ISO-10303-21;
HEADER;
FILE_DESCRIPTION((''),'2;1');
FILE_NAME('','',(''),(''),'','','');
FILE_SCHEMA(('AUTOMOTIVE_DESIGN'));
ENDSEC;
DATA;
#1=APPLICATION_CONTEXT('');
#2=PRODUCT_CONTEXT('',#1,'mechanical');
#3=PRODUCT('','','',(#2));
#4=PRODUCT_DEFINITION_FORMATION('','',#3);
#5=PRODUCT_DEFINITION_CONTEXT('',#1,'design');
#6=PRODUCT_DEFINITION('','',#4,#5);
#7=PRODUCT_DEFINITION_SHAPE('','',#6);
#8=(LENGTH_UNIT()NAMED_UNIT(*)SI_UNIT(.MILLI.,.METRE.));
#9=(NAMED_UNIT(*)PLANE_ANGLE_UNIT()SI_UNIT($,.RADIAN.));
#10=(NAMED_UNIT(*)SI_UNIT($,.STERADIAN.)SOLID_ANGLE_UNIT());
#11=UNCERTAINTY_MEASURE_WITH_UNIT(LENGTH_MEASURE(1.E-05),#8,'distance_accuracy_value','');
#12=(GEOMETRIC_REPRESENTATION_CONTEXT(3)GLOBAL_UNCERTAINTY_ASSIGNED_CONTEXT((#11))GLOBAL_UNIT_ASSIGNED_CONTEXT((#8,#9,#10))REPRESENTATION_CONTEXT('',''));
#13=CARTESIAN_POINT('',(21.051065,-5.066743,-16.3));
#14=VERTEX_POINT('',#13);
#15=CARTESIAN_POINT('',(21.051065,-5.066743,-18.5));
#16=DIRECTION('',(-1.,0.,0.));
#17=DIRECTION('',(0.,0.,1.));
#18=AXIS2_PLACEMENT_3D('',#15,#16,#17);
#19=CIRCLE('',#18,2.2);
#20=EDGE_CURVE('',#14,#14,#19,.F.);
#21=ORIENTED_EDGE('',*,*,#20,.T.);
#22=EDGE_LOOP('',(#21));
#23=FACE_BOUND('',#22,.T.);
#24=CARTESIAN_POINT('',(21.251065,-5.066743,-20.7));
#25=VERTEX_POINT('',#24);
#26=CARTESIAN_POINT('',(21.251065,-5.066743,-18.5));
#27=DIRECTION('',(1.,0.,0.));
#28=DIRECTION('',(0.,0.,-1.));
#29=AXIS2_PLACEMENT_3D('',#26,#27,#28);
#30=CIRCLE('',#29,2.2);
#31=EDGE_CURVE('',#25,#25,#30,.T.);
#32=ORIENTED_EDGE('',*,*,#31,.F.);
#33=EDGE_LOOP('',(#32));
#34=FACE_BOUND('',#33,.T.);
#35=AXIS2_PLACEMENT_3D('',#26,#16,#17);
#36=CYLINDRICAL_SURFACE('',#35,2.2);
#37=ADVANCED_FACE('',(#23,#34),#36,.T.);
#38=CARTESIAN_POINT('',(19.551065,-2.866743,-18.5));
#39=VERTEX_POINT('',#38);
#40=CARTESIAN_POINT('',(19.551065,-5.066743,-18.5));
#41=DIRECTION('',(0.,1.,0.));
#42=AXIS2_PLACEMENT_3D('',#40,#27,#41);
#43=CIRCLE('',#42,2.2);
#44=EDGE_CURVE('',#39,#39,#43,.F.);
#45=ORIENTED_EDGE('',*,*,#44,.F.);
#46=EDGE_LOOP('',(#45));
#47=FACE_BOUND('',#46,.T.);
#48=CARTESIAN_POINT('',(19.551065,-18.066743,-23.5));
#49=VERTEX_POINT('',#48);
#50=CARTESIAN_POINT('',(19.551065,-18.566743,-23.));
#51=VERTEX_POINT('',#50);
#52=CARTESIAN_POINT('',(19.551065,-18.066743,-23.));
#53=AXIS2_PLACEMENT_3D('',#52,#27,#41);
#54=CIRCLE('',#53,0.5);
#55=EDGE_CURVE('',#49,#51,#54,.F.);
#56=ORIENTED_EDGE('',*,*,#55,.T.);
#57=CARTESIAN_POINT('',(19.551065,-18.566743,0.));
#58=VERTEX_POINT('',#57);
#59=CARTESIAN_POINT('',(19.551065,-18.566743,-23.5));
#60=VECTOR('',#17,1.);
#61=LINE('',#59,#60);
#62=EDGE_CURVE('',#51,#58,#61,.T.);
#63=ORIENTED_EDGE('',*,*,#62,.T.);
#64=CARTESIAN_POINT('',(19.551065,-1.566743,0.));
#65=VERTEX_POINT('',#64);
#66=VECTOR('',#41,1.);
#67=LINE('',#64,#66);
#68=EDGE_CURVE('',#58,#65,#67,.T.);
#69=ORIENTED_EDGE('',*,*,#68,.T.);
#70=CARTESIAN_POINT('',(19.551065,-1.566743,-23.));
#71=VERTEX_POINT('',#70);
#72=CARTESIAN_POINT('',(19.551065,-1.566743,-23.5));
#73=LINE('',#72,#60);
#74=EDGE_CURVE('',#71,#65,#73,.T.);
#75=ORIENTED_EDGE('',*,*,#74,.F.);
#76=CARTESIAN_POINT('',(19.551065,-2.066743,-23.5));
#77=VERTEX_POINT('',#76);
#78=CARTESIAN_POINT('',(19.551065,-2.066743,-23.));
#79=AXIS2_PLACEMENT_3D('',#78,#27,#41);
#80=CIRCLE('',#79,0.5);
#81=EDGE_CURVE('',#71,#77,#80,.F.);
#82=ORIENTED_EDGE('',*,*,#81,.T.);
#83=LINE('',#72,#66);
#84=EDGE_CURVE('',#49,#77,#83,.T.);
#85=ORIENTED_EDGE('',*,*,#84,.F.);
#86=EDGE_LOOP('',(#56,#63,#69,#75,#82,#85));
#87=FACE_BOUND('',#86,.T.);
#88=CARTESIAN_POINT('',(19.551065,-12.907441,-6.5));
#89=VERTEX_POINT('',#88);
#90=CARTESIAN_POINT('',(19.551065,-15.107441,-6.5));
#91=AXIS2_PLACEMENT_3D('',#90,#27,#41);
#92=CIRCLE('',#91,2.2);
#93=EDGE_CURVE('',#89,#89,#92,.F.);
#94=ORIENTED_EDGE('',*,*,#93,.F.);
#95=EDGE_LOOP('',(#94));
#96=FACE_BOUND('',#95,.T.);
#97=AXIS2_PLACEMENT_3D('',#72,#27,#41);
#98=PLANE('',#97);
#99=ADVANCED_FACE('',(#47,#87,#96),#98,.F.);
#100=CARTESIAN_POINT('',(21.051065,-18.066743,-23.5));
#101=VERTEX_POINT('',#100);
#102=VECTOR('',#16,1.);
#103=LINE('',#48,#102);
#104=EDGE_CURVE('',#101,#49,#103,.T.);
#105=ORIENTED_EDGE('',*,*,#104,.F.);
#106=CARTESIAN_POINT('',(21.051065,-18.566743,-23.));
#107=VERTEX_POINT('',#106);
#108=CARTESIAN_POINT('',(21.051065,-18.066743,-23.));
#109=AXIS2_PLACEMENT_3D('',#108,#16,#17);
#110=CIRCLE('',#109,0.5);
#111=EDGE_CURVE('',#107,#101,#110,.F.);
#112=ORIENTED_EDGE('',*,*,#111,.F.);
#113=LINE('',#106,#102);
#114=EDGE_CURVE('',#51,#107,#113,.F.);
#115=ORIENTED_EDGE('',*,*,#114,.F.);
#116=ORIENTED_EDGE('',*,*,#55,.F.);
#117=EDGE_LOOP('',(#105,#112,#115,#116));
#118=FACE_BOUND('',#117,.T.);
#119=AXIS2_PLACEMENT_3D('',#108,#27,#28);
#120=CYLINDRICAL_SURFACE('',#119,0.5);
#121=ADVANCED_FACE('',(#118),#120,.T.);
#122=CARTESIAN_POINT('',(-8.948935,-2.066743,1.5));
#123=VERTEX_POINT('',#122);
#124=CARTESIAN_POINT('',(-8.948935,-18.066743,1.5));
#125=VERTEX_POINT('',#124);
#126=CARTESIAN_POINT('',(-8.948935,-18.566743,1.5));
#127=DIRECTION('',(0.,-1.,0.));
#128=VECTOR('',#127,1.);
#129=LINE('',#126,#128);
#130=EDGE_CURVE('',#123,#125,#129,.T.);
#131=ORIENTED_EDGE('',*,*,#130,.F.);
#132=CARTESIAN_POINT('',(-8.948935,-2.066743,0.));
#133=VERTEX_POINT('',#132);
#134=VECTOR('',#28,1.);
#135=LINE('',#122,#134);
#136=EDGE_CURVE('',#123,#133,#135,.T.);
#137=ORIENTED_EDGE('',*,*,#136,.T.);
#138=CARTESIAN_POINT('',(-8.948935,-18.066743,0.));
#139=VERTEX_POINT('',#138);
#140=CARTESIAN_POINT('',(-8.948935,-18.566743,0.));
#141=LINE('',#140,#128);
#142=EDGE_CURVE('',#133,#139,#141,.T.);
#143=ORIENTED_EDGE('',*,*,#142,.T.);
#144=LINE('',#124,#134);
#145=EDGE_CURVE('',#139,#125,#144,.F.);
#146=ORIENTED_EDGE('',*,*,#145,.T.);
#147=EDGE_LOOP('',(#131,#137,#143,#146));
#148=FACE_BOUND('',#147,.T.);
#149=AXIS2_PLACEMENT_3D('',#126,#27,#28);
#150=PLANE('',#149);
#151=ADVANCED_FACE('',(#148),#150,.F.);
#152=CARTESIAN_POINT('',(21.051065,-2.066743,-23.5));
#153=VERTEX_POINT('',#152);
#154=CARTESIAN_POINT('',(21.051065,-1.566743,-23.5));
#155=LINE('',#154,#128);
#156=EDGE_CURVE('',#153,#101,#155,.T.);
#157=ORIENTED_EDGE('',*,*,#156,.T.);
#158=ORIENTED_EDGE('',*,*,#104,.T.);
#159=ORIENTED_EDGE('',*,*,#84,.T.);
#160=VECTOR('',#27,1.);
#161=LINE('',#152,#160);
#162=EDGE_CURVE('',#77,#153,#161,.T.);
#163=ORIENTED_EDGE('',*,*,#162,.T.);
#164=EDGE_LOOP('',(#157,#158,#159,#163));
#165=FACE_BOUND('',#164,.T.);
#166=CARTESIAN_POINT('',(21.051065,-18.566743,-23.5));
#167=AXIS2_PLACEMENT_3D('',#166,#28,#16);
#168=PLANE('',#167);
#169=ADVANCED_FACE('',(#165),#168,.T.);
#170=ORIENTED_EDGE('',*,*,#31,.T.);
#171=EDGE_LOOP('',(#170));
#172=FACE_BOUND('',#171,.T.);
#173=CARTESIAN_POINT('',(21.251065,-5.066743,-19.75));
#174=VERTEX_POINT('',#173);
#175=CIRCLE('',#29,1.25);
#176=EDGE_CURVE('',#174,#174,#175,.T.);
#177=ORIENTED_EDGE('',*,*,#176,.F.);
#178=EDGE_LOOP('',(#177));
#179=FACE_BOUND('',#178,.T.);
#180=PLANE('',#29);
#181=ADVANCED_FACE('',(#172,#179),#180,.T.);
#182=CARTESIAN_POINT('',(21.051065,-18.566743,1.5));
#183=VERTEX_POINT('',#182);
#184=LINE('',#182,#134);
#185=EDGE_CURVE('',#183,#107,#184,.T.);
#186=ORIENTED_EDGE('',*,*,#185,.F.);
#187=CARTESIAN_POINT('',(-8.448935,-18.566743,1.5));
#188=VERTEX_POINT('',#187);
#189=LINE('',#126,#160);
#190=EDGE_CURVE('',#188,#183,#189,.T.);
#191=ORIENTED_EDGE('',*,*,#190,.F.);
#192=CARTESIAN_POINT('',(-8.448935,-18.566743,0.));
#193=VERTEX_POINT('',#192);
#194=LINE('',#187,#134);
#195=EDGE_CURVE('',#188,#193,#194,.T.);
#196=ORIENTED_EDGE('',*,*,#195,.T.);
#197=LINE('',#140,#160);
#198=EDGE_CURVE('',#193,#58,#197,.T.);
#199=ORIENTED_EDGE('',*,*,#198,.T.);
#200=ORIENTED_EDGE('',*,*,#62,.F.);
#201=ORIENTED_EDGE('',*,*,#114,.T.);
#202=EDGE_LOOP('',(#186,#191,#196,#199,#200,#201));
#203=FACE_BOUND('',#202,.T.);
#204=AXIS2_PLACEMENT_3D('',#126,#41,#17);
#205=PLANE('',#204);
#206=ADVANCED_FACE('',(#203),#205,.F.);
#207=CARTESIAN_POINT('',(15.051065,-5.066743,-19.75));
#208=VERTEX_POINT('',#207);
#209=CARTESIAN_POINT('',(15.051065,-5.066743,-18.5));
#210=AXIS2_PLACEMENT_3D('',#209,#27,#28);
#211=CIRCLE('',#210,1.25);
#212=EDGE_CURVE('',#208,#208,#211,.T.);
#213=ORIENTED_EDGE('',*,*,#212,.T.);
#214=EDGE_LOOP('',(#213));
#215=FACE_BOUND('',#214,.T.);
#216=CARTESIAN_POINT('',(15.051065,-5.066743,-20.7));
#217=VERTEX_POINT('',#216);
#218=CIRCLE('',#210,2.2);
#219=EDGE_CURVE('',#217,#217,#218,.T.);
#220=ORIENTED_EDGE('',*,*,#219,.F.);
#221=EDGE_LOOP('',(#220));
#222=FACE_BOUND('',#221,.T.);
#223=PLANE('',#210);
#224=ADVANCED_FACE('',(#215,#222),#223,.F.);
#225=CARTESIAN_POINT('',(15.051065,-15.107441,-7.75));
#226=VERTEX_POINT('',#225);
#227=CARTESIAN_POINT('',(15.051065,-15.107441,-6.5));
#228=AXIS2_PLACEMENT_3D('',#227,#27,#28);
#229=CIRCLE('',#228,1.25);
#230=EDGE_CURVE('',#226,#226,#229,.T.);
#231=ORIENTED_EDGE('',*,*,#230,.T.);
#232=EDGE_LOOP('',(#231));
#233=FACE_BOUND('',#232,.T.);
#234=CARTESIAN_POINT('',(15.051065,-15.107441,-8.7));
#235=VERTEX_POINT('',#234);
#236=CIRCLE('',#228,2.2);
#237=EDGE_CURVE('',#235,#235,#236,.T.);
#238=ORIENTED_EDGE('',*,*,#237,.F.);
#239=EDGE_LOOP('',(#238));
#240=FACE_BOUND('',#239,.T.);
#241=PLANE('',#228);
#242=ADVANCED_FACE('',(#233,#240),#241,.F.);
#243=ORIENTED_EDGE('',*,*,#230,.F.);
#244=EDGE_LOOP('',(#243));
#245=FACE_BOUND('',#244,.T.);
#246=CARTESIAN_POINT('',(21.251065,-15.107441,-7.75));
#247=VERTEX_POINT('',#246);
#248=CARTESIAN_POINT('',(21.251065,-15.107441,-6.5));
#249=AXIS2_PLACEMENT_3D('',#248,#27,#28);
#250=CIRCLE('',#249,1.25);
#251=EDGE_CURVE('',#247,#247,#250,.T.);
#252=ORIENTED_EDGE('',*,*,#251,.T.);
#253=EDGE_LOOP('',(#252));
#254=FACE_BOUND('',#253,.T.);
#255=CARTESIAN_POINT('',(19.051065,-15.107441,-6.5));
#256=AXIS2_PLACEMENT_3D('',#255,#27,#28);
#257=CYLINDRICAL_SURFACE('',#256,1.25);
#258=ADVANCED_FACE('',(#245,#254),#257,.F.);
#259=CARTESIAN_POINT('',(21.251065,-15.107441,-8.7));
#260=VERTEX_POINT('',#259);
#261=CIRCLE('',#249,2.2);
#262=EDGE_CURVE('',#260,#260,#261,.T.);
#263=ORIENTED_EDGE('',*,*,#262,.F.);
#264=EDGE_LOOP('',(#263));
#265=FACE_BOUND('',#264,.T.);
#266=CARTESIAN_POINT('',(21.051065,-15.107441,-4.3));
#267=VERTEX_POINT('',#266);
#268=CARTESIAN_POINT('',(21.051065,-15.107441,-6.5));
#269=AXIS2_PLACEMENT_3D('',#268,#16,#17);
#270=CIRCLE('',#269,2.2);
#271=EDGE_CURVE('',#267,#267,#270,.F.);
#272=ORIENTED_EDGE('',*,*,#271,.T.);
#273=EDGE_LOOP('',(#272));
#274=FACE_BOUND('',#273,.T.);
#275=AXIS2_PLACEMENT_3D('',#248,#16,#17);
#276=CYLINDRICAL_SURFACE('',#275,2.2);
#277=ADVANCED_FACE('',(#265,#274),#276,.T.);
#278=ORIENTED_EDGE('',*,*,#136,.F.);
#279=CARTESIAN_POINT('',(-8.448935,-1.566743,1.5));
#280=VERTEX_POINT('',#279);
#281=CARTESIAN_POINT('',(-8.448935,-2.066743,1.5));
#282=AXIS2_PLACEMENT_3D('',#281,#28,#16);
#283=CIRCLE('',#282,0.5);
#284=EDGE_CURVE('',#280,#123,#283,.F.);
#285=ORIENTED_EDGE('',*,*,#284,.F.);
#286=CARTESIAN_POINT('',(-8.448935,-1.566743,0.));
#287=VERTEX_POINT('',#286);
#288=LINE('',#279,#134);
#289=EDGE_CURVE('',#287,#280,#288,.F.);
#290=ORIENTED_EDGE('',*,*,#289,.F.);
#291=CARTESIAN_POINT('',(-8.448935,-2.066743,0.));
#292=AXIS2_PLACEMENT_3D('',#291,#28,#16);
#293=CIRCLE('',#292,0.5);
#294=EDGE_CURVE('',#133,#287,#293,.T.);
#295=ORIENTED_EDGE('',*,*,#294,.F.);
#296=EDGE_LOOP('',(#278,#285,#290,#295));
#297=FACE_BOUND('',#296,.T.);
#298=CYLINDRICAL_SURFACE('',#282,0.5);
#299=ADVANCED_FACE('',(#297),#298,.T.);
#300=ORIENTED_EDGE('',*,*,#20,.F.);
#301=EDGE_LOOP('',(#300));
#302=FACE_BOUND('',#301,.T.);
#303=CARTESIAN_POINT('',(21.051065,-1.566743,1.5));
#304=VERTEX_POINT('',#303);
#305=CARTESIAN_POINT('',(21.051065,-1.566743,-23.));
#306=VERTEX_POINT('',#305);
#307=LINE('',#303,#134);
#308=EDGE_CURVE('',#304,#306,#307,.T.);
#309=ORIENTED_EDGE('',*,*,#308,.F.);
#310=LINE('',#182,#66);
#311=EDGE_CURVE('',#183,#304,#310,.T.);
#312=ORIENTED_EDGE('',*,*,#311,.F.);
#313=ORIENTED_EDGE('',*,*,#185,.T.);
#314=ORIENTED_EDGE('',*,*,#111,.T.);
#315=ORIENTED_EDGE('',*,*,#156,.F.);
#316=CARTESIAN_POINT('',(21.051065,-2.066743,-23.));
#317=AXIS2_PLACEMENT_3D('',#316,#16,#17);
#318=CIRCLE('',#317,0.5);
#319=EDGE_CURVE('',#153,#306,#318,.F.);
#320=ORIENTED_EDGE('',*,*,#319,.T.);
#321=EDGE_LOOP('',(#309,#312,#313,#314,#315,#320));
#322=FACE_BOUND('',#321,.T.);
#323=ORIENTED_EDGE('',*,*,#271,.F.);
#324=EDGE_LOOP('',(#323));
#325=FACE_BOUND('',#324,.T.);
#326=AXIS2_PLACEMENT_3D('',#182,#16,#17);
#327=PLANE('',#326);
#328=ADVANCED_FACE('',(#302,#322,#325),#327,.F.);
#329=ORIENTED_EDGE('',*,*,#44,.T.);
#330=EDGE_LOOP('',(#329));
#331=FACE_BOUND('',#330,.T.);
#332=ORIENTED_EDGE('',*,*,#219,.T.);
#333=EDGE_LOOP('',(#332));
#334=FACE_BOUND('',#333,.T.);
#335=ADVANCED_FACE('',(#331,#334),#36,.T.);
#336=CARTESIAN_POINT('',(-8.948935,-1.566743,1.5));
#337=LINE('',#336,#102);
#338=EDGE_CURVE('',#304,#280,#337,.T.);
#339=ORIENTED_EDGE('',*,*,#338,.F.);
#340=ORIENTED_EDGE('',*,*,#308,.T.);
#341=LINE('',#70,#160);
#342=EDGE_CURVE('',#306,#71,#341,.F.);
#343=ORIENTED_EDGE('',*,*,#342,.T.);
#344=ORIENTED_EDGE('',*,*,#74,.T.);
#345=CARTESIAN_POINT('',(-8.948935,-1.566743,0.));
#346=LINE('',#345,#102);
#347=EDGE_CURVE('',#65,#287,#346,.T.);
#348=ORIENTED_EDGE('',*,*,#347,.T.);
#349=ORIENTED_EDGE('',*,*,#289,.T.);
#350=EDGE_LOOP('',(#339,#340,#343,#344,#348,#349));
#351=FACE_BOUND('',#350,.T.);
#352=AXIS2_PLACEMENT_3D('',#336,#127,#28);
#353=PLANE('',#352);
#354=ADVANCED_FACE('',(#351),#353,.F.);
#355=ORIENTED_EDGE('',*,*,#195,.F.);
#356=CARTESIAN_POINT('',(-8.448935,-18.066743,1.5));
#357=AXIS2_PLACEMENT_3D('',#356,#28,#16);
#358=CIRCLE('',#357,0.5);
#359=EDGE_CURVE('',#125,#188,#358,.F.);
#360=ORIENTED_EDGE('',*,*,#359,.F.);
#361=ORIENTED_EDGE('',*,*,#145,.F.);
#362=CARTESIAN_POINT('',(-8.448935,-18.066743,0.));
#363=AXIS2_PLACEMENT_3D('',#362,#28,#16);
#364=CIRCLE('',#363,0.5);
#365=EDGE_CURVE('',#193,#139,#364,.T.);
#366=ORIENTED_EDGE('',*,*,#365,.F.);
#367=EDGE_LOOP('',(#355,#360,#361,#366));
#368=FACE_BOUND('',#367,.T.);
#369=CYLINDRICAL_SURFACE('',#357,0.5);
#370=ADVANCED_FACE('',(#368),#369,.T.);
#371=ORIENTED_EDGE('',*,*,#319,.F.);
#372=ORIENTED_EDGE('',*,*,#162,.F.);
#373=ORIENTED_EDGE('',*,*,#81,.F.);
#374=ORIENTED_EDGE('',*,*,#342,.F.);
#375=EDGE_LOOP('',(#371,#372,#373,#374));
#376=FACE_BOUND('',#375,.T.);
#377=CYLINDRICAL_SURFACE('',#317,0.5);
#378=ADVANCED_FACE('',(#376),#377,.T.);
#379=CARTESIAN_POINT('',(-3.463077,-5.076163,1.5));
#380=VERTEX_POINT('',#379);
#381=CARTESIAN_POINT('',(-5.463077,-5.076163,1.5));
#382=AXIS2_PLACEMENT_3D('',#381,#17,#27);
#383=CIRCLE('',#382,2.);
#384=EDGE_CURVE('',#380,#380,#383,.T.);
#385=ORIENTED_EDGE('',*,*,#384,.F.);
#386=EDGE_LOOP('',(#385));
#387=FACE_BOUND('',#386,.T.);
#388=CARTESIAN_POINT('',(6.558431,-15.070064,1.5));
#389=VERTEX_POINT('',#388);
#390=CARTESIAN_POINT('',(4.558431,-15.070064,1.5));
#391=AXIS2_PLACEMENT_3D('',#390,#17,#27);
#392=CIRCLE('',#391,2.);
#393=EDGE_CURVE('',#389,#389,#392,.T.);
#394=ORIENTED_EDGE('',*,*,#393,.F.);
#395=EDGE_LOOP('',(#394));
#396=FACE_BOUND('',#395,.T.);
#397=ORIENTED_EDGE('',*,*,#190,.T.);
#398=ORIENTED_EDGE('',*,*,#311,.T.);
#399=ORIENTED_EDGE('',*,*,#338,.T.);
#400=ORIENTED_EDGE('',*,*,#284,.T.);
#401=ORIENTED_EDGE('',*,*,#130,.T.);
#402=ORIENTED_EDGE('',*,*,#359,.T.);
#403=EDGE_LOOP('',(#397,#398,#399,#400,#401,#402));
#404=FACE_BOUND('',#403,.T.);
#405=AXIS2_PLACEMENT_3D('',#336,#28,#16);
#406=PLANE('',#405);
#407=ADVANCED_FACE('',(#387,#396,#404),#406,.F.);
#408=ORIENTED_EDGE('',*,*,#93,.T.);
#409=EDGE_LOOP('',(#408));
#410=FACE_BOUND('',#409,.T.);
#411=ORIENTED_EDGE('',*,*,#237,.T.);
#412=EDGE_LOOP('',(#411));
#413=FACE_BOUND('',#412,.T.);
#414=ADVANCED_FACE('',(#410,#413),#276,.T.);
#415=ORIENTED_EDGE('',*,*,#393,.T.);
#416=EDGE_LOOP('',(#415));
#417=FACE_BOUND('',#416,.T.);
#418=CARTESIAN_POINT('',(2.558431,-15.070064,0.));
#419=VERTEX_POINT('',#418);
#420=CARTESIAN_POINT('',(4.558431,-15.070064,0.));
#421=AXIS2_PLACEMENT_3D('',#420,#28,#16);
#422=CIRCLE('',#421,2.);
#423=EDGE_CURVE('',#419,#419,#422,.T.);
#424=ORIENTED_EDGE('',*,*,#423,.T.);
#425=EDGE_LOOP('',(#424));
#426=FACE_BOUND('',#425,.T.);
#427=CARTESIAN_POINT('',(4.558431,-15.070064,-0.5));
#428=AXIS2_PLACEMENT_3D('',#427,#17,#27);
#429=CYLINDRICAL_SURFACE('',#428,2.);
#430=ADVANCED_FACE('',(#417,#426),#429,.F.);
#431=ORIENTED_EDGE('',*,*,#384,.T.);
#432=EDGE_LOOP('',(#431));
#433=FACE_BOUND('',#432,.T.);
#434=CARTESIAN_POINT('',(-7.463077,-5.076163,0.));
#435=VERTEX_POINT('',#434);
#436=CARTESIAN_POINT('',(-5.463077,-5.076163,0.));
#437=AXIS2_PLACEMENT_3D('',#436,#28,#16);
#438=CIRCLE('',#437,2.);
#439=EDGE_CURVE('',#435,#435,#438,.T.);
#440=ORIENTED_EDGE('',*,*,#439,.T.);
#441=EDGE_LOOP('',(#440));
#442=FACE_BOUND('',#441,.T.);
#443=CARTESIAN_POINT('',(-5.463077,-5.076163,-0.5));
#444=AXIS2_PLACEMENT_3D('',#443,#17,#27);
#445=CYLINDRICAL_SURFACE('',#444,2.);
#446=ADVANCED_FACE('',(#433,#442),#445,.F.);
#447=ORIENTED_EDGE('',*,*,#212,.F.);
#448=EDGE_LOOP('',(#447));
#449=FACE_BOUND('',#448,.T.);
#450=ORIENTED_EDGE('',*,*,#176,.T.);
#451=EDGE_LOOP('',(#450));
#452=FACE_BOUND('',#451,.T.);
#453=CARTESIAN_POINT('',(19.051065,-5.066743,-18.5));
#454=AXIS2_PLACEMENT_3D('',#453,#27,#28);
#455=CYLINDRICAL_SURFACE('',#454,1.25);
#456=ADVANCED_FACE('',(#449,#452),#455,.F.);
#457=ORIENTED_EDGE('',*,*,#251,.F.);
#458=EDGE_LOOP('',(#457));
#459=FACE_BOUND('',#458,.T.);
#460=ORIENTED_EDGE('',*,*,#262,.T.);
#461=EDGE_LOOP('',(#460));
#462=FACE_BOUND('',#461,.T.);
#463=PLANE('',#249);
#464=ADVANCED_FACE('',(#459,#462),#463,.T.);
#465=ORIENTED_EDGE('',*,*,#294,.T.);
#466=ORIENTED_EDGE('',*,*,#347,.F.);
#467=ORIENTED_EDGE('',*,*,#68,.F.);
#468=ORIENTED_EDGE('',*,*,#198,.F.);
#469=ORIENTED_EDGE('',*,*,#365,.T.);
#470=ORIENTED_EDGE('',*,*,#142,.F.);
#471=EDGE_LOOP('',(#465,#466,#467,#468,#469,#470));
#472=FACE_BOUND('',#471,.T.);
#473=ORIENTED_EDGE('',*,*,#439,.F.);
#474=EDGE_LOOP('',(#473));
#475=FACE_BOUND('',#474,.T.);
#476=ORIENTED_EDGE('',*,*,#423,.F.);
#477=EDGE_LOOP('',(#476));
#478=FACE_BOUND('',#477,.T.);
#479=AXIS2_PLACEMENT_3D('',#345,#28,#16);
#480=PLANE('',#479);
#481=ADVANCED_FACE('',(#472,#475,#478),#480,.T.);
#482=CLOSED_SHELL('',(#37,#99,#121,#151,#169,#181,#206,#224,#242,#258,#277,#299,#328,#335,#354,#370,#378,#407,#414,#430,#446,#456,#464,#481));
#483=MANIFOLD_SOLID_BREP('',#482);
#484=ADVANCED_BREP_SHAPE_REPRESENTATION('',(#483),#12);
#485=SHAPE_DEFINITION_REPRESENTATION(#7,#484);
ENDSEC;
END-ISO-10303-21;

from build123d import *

# Parameters (mm, degrees)
ESQUISSE1_W             = 30
ESQUISSE1_H             = 17
EXTRUSION1_DEPTH        = 1.5
ESQUISSE2_R             = 2
ENL_V_MAT_EXTRU_1_DEPTH = 2
ESQUISSE3_W             = 1.5
ESQUISSE3_H             = 17
EXTRUSION2_DEPTH        = 23.5
ESQUISSE4_R             = 1.25
ENL_V_MAT_EXTRU_2_DEPTH = 2
EXTRUSION3_DEPTH        = 0.2
EXTRUSION3_DEPTH_BACK   = 6
ESQUISSE5_R             = 2.2
ESQUISSE5_R_2           = 1.25
CONG_1_R                = 0.5


with BuildPart() as part:
    # Esquisse1 → Extrusion1 (new body)
    with BuildSketch(Plane.XY):
        with Locations((6.051065449, -10.06674277)):
            Rectangle(ESQUISSE1_W, ESQUISSE1_H)
    extrude(amount=EXTRUSION1_DEPTH)

    # Esquisse2 → Enlèv. mat.-Extru.1 (cut)
    with BuildSketch(Plane.XY.offset(1.5)):
        with Locations((-5.463077382, -5.076163116)):
            Circle(ESQUISSE2_R)
        with Locations((4.558431294, -15.07006433)):
            Circle(ESQUISSE2_R)
    extrude(amount=-ENL_V_MAT_EXTRU_1_DEPTH, mode=Mode.SUBTRACT)

    # Esquisse3 → Extrusion2 (add)
    with BuildSketch(Plane(origin=(0, 0, 0), x_dir=(-1, 0, 0), z_dir=(0, 0, -1))):
        with Locations((-20.301065449, -10.06674277)):
            Rectangle(ESQUISSE3_W, ESQUISSE3_H)
    extrude(amount=EXTRUSION2_DEPTH)

    # Esquisse4 → Enlèv. mat.-Extru.2 (cut)
    with BuildSketch(Plane(origin=(21.051065449, 0, 0), x_dir=(0, 0, -1), z_dir=(1, 0, 0))):
        with Locations((6.5, -15.107440586)):
            Circle(ESQUISSE4_R)
        with Locations((18.5, -5.06674277)):
            Circle(ESQUISSE4_R)
    extrude(amount=-ENL_V_MAT_EXTRU_2_DEPTH, mode=Mode.SUBTRACT)

    # Esquisse5 → Extrusion3 (add, two sides: drawn at the far end of the back side and taken through both)
    # profile 1 of 2: a face of its own
    with BuildSketch(Plane(origin=(21.051065449, 0, 0), x_dir=(0, 0, -1), z_dir=(1, 0, 0)).offset(-EXTRUSION3_DEPTH_BACK)):
        with Locations(Location((6.5, -15.107440586, 0), (0, 0, 90))):
            Circle(ESQUISSE5_R)
        with Locations((6.5, -15.107440586)):
            Circle(ESQUISSE5_R_2, mode=Mode.SUBTRACT)
    # profile 2 of 2: a face of its own
    with BuildSketch(Plane(origin=(21.051065449, 0, 0), x_dir=(0, 0, -1), z_dir=(1, 0, 0)).offset(-EXTRUSION3_DEPTH_BACK)):
        with Locations(Location((18.5, -5.06674277, 0), (0, 0, 90))):
            Circle(ESQUISSE5_R)
        with Locations((18.5, -5.06674277)):
            Circle(ESQUISSE5_R_2, mode=Mode.SUBTRACT)
    extrude(amount=EXTRUSION3_DEPTH + EXTRUSION3_DEPTH_BACK)

    # Congé1
    cong_1_edges = [part.edges().sort_by_distance(p)[0] for p in [
        (20.301065449, -18.56674277, -23.5),
        (20.301065449, -1.56674277, -23.5),
        (-8.948934551, -18.56674277, 0.75),
        (-8.948934551, -1.56674277, 0.75),
    ]]
    fillet(cong_1_edges, radius=CONG_1_R)


solid = part.part
